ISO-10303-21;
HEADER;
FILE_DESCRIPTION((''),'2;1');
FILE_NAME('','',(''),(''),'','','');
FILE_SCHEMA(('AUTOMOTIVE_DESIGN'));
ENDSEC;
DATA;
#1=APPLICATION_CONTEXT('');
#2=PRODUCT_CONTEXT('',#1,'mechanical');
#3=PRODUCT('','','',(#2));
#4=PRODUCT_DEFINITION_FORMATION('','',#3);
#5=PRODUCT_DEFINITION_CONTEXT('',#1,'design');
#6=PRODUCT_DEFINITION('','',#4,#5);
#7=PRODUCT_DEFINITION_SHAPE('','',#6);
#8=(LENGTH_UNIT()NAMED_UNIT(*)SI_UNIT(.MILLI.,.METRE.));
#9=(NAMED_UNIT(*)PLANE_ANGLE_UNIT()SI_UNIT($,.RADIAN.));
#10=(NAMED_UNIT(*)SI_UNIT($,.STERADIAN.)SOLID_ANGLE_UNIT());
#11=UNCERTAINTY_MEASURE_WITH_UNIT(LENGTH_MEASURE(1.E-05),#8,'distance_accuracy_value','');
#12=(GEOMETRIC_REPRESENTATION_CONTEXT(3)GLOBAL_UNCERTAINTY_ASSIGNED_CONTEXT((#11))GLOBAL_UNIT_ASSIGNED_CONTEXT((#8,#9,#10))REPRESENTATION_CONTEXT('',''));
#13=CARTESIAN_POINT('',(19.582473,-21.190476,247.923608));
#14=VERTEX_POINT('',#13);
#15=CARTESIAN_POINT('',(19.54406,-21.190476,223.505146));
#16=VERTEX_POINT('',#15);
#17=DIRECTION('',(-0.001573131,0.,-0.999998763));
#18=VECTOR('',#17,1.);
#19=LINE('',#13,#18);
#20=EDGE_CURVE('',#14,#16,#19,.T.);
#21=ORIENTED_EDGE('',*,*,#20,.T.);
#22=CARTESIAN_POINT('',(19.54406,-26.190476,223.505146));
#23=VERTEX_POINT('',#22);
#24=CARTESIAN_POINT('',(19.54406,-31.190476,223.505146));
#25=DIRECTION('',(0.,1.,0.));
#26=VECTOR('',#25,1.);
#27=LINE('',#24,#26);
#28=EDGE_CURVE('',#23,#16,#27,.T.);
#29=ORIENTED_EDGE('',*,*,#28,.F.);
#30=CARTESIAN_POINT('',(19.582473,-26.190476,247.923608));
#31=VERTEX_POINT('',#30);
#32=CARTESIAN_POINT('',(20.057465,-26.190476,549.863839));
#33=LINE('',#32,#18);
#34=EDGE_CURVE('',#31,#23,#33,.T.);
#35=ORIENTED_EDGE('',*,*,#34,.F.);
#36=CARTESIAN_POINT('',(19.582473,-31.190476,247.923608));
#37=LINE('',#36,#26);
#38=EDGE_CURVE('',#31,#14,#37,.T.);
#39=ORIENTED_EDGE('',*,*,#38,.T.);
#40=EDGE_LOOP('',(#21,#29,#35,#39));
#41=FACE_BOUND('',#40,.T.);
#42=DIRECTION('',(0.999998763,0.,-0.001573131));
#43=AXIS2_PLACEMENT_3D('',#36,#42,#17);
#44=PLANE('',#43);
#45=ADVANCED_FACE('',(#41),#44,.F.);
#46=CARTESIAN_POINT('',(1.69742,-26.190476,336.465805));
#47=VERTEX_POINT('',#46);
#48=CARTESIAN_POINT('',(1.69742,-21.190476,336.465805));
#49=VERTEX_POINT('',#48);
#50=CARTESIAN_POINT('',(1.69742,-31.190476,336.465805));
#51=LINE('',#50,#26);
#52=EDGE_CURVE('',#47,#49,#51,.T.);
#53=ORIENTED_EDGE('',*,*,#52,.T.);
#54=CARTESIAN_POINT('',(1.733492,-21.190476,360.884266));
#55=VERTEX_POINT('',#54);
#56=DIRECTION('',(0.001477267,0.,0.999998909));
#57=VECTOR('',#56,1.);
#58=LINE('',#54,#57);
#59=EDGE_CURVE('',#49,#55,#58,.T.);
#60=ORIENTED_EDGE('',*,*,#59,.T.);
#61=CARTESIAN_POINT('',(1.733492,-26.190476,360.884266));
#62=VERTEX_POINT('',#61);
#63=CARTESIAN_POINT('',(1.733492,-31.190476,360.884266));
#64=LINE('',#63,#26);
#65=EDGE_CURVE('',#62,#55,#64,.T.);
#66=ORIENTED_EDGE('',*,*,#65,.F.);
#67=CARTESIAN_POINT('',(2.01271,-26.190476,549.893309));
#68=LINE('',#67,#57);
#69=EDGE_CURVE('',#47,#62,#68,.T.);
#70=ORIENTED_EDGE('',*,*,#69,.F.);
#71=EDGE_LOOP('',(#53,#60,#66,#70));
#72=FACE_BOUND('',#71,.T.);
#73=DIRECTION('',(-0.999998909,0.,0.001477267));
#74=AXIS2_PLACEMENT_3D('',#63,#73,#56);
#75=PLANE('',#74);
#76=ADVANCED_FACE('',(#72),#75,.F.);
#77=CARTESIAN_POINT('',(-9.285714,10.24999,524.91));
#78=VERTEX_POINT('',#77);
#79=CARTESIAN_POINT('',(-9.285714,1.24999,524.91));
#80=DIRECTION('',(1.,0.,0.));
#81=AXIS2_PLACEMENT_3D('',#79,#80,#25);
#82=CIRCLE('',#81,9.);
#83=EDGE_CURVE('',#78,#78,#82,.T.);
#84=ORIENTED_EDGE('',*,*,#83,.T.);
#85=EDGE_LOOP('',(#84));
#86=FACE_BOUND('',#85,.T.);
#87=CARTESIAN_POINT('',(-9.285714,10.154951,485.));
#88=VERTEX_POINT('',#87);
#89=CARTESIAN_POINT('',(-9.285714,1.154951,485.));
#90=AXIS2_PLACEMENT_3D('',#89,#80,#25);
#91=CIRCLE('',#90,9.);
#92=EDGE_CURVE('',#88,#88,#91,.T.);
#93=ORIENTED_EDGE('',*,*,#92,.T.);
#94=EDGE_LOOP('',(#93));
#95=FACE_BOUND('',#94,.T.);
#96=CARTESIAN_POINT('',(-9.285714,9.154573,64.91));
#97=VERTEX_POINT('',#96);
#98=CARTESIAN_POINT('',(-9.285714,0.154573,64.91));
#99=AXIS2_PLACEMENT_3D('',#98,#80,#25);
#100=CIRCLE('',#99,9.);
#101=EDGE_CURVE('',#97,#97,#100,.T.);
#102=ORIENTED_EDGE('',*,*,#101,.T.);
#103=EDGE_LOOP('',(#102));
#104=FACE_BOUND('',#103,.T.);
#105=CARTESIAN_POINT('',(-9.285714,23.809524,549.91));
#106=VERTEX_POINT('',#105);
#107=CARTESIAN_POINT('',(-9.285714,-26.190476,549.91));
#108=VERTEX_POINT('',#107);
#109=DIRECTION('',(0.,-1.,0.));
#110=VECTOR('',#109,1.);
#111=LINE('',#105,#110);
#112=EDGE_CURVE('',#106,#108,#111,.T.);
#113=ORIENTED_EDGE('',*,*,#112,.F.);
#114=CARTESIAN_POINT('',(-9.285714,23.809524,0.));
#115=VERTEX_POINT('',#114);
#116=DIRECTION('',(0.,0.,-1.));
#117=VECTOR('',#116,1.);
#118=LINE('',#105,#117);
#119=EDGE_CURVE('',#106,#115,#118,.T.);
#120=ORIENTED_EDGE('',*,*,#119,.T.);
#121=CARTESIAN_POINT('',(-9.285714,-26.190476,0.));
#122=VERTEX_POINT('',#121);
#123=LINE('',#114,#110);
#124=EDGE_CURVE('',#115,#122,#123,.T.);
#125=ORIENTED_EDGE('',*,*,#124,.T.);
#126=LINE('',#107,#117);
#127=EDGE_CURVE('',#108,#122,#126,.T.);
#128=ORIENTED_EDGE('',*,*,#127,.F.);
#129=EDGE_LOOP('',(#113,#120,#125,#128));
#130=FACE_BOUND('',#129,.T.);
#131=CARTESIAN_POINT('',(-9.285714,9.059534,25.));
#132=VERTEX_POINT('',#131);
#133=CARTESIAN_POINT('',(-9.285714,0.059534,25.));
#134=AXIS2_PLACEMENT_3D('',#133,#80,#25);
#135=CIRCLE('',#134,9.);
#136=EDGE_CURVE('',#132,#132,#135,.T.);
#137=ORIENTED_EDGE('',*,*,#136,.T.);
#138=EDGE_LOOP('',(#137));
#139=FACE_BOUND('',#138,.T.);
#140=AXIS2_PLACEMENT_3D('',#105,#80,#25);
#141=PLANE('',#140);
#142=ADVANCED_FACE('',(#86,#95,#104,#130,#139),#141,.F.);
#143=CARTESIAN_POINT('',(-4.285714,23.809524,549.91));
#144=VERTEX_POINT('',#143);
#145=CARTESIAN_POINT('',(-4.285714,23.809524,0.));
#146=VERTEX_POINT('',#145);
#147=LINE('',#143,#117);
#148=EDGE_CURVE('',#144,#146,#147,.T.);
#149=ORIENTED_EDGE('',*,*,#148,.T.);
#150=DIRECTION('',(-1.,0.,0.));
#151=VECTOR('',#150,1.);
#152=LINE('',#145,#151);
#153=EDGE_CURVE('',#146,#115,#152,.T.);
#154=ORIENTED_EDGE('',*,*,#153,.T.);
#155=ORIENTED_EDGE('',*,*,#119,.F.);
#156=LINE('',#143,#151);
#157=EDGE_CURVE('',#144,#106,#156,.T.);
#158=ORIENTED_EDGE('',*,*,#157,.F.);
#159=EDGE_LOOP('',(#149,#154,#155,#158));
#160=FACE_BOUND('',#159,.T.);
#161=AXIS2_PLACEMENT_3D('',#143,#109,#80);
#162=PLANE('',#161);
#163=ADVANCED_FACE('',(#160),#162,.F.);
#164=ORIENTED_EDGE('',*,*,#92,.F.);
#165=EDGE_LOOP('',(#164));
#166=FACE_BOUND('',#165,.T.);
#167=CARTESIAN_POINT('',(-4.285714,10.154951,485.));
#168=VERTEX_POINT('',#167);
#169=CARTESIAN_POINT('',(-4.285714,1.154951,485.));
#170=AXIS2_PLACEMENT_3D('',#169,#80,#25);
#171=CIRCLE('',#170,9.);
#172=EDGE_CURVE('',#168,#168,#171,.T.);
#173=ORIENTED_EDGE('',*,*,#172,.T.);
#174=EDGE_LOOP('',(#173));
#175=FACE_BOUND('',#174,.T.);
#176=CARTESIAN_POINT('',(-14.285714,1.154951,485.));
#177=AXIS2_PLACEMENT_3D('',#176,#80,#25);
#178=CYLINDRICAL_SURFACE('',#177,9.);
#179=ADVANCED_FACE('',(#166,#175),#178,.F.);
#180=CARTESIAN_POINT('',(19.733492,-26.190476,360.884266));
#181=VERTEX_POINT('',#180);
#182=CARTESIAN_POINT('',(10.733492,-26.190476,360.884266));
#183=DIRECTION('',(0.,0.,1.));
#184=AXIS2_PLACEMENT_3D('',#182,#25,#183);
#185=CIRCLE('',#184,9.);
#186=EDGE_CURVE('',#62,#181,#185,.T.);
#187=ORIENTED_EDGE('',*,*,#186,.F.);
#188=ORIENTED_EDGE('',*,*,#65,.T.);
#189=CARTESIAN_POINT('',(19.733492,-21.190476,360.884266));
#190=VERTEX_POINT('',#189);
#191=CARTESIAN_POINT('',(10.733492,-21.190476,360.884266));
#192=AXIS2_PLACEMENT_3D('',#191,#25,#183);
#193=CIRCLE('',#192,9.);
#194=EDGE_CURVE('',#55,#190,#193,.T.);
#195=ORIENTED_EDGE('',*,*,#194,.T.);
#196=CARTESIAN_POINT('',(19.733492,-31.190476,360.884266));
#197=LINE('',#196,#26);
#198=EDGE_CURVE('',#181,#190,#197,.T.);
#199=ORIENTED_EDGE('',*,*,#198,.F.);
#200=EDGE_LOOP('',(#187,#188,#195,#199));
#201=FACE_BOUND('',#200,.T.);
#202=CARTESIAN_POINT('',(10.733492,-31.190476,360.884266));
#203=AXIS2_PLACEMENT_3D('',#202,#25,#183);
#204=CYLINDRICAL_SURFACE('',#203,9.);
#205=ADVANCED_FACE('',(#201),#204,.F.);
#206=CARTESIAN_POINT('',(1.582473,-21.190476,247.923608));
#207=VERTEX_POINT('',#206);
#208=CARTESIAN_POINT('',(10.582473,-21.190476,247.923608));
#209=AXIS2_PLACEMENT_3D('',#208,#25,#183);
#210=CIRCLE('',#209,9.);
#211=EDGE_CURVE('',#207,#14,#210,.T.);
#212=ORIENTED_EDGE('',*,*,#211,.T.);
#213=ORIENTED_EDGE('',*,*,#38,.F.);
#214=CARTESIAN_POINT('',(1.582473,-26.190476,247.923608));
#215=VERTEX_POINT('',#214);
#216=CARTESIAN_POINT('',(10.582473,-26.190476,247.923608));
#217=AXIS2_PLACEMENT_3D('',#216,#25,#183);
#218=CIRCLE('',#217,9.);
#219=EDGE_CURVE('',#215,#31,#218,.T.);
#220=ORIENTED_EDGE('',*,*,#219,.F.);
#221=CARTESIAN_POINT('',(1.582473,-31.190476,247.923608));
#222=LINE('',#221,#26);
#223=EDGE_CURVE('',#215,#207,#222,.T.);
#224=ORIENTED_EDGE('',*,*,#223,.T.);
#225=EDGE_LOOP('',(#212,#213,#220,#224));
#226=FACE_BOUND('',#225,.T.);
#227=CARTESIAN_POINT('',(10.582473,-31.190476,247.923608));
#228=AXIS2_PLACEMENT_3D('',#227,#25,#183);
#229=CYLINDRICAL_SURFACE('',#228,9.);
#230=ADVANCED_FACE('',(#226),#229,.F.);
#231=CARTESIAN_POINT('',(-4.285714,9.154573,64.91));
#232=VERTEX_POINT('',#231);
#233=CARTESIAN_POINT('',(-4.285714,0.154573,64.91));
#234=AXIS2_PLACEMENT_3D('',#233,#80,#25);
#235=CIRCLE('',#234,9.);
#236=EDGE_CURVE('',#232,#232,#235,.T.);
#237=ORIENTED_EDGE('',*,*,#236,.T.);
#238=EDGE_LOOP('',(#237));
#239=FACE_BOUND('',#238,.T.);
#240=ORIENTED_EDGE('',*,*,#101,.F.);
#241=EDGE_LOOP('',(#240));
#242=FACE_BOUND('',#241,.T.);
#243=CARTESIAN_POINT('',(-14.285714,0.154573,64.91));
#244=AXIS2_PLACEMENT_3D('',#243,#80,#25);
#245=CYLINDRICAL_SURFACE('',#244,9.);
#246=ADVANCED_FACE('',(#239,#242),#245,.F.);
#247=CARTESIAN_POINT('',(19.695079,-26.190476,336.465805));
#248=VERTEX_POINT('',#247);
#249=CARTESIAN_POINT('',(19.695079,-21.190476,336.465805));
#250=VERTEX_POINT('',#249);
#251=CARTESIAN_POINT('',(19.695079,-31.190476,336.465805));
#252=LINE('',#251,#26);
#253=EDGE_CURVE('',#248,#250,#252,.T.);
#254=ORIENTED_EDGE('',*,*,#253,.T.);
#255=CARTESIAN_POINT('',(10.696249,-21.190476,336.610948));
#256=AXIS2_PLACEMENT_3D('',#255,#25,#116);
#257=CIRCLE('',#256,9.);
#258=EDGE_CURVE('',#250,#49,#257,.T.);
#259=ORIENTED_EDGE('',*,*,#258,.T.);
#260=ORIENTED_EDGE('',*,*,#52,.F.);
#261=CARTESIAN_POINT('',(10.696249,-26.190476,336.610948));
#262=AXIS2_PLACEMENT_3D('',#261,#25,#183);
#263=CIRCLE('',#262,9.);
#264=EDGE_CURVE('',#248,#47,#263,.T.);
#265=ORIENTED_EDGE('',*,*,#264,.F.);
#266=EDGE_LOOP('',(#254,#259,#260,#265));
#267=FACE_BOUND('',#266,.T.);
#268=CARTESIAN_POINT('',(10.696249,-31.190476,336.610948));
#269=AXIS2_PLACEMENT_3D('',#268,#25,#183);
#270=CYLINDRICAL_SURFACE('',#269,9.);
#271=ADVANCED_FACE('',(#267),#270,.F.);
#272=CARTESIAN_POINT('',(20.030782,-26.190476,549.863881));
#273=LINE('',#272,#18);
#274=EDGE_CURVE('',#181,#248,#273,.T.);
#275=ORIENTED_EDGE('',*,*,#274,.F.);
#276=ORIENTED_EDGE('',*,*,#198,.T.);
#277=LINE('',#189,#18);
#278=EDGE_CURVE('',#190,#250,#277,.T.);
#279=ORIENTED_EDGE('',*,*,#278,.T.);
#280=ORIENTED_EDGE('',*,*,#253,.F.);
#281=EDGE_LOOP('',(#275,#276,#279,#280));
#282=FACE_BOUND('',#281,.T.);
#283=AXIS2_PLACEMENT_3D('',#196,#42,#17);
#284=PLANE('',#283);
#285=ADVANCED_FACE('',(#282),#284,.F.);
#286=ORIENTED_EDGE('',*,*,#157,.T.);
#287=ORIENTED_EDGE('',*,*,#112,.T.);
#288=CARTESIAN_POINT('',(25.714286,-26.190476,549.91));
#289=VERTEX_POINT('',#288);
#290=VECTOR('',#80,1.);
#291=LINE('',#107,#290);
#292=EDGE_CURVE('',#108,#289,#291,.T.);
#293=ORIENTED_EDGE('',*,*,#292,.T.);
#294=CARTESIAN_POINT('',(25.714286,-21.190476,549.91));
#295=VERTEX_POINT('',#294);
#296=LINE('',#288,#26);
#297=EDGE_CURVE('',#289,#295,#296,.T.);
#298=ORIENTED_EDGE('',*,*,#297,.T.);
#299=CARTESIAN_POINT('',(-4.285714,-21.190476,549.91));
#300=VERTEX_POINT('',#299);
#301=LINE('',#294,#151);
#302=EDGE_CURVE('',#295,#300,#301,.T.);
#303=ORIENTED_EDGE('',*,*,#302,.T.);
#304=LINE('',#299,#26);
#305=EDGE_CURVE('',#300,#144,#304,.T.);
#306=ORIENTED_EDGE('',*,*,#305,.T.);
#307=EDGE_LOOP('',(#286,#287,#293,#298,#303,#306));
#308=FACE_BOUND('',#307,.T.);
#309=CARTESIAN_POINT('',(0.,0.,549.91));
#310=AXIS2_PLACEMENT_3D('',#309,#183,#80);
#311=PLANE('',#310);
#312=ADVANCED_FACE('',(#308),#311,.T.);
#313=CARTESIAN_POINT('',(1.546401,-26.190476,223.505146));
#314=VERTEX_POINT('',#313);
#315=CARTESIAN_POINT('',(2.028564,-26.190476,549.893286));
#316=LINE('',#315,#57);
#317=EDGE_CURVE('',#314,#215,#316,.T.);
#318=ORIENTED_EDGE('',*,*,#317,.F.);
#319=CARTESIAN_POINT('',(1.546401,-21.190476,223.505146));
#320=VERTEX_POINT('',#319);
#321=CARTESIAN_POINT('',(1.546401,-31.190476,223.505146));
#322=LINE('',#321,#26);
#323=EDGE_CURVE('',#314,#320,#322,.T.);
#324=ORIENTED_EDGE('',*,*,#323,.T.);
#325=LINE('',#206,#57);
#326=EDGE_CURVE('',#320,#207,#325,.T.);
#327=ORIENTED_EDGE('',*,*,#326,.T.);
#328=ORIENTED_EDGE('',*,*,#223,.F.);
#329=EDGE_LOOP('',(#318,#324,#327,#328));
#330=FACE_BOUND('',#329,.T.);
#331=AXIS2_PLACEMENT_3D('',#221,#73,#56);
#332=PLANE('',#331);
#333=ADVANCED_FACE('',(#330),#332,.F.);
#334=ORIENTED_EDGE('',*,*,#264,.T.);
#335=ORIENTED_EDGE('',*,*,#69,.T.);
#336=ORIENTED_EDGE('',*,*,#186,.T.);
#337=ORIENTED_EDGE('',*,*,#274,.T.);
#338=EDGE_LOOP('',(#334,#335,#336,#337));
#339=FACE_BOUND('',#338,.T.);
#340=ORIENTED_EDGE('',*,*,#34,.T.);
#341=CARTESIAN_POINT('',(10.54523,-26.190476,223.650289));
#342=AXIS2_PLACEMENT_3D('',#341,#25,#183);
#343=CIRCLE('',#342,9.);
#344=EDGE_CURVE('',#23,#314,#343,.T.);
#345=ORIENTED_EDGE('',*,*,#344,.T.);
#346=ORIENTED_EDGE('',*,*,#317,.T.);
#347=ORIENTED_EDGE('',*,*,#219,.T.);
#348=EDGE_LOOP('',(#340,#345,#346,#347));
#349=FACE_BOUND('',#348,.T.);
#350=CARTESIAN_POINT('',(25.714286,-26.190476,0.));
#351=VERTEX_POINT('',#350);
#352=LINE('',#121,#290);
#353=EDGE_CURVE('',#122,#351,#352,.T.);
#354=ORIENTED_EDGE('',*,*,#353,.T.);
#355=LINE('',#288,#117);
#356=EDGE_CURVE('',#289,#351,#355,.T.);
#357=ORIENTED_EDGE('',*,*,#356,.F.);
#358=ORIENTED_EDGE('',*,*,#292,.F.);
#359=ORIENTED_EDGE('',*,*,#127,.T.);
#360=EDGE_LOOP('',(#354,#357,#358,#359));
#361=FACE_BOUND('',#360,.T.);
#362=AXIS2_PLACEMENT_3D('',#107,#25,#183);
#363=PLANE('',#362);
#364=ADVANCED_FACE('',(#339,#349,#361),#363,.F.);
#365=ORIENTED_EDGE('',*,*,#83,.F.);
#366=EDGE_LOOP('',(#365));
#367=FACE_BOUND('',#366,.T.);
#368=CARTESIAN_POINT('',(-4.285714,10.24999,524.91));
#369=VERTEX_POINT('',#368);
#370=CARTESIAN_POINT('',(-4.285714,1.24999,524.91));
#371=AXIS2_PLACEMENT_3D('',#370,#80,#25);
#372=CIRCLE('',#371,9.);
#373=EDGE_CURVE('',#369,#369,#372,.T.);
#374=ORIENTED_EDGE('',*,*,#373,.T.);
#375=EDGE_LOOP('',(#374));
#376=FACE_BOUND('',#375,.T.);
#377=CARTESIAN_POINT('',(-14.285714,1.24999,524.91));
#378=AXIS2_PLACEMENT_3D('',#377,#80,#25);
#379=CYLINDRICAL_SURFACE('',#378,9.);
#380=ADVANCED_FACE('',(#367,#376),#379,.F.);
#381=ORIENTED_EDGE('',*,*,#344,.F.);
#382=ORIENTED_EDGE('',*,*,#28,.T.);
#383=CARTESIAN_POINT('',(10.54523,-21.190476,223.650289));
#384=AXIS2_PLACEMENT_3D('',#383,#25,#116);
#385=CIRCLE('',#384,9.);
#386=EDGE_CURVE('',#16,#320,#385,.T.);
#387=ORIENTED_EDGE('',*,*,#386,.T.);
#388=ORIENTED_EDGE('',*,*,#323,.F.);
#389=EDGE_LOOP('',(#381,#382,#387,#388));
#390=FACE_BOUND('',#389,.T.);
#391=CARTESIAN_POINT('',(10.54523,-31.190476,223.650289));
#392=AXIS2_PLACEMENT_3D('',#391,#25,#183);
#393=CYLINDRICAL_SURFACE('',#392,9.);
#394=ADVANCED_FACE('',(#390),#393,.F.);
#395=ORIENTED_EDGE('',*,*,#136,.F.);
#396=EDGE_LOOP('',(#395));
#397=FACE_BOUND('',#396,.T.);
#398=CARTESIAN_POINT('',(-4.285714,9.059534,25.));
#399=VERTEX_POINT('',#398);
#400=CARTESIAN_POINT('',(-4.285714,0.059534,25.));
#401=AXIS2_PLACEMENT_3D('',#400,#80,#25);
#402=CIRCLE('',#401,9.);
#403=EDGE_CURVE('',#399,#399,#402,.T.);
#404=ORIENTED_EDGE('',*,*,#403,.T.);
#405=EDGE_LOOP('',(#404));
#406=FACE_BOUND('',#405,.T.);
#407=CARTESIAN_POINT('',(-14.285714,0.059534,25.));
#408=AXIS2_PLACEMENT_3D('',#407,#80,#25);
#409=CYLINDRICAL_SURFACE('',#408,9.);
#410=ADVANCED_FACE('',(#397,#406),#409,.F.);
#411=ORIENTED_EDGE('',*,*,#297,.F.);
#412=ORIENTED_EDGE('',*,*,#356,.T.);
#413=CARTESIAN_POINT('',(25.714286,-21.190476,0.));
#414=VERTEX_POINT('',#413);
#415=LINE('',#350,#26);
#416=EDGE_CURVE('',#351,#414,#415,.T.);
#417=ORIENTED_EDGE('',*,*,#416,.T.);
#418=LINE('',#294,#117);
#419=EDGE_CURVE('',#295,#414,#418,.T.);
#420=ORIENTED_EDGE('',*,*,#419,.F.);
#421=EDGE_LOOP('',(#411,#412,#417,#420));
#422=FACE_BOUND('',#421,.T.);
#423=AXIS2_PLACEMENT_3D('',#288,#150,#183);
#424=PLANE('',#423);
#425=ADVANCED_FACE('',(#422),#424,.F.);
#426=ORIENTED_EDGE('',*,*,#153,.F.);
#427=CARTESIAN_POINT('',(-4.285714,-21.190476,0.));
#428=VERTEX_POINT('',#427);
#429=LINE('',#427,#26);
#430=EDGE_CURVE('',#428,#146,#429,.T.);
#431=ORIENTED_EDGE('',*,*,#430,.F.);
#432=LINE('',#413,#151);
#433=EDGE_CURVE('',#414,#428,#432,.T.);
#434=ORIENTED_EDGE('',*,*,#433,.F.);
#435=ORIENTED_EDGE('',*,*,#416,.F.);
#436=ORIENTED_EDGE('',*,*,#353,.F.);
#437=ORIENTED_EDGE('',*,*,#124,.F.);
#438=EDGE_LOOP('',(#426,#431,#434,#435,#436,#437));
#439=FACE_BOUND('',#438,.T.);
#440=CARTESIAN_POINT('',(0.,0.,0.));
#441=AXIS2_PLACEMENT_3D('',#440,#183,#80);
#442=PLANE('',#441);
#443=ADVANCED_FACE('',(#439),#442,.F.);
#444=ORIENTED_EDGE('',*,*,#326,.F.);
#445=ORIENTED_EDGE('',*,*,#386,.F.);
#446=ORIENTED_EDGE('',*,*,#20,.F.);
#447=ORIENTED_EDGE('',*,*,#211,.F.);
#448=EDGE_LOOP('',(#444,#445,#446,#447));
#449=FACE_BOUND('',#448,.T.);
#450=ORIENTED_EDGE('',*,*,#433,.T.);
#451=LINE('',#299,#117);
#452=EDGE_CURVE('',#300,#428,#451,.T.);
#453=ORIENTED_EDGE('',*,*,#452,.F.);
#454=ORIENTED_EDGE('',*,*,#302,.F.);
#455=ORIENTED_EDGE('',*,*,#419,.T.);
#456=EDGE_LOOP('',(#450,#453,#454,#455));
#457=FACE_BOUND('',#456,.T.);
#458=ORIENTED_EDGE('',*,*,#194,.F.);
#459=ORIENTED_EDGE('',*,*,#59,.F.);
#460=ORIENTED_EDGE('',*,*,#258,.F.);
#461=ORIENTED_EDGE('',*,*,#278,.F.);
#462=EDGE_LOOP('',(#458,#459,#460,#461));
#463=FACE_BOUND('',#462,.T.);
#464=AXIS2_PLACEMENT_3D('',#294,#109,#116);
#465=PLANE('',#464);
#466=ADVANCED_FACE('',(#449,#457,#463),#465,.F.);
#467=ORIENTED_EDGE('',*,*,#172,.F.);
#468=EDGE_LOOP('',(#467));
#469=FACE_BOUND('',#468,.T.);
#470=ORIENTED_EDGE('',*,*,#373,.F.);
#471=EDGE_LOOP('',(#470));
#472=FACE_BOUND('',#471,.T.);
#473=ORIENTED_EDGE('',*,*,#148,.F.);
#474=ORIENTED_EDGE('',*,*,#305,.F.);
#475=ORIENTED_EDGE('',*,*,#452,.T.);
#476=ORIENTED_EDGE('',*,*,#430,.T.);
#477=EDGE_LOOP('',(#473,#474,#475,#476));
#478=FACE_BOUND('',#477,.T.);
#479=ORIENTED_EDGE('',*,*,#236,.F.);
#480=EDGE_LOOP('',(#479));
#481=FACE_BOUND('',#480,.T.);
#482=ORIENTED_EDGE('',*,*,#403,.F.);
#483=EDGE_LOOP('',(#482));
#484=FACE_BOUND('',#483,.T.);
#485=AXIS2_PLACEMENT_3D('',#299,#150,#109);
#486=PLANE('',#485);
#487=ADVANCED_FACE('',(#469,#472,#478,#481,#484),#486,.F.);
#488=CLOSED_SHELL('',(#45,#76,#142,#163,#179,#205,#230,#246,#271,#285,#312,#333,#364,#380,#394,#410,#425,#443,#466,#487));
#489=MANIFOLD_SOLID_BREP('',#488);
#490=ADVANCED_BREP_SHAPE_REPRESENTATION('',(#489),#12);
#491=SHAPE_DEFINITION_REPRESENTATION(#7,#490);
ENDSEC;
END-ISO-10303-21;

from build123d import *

# Parameters (mm, degrees)
BOSS_EXTRUDE1_DEPTH = 549.91
SKETCH2_R           = 9
CUT_EXTRUDE1_DEPTH  = 10
CUT_EXTRUDE2_DEPTH  = 10


with BuildPart() as part:
    # Sketch1 → Boss-Extrude1 (new body)
    with BuildSketch(Plane.XY):
        Polygon((-9.285714286, 23.80952381), (-9.285714286, -26.19047619), (25.714285714, -26.19047619), (25.714285714, -21.19047619), (-4.285714286, -21.19047619), (-4.285714286, 23.80952381), align=None)
    extrude(amount=BOSS_EXTRUDE1_DEPTH)

    # Sketch2 → Cut-Extrude1 (cut)
    with BuildSketch(Plane(origin=(-4.285714286, 0, 0), x_dir=(0, 0, -1), z_dir=(1, 0, 0))):
        with Locations(Location((-524.91, 1.249990258, 0), (0, 0, 90))):
            Circle(SKETCH2_R)
        with Locations(Location((-485, 1.154950897, 0), (0, 0, 90))):
            Circle(SKETCH2_R)
        with Locations(Location((-64.91, 0.154572913, 0), (0, 0, 90))):
            Circle(SKETCH2_R)
        with Locations(Location((-25, 0.059533551, 0), (0, 0, 90))):
            Circle(SKETCH2_R)
    extrude(amount=-CUT_EXTRUDE1_DEPTH, mode=Mode.SUBTRACT)

    # Sketch3 → Cut-Extrude2 (cut)
    with BuildSketch(Plane(origin=(0, -21.19047619, 0), x_dir=(1, 0, 0), z_dir=(0, 1, 0))):
        with BuildLine():
            Line((1.733492456, -360.884266397), (1.697419827, -336.465805265))
            ThreePointArc((1.697419827, -336.465805265), (10.6962494, -327.610947677), (19.695078973, -336.465805265))
            Line((19.695078973, -336.465805265), (19.733492456, -360.884266397))
            ThreePointArc((19.733492456, -360.884266397), (10.733492456, -369.884266397), (1.733492456, -360.884266397))
        make_face()
        with BuildLine():
            Line((1.582473361, -247.923607511), (1.546400733, -223.505146379))
            ThreePointArc((1.546400733, -223.505146379), (10.545230305, -214.650288791), (19.544059878, -223.505146379))
            Line((19.544059878, -223.505146379), (19.582473361, -247.923607511))
            ThreePointArc((19.582473361, -247.923607511), (10.582473361, -256.923607511), (1.582473361, -247.923607511))
        make_face()
    extrude(amount=-CUT_EXTRUDE2_DEPTH, mode=Mode.SUBTRACT)


solid = part.part
